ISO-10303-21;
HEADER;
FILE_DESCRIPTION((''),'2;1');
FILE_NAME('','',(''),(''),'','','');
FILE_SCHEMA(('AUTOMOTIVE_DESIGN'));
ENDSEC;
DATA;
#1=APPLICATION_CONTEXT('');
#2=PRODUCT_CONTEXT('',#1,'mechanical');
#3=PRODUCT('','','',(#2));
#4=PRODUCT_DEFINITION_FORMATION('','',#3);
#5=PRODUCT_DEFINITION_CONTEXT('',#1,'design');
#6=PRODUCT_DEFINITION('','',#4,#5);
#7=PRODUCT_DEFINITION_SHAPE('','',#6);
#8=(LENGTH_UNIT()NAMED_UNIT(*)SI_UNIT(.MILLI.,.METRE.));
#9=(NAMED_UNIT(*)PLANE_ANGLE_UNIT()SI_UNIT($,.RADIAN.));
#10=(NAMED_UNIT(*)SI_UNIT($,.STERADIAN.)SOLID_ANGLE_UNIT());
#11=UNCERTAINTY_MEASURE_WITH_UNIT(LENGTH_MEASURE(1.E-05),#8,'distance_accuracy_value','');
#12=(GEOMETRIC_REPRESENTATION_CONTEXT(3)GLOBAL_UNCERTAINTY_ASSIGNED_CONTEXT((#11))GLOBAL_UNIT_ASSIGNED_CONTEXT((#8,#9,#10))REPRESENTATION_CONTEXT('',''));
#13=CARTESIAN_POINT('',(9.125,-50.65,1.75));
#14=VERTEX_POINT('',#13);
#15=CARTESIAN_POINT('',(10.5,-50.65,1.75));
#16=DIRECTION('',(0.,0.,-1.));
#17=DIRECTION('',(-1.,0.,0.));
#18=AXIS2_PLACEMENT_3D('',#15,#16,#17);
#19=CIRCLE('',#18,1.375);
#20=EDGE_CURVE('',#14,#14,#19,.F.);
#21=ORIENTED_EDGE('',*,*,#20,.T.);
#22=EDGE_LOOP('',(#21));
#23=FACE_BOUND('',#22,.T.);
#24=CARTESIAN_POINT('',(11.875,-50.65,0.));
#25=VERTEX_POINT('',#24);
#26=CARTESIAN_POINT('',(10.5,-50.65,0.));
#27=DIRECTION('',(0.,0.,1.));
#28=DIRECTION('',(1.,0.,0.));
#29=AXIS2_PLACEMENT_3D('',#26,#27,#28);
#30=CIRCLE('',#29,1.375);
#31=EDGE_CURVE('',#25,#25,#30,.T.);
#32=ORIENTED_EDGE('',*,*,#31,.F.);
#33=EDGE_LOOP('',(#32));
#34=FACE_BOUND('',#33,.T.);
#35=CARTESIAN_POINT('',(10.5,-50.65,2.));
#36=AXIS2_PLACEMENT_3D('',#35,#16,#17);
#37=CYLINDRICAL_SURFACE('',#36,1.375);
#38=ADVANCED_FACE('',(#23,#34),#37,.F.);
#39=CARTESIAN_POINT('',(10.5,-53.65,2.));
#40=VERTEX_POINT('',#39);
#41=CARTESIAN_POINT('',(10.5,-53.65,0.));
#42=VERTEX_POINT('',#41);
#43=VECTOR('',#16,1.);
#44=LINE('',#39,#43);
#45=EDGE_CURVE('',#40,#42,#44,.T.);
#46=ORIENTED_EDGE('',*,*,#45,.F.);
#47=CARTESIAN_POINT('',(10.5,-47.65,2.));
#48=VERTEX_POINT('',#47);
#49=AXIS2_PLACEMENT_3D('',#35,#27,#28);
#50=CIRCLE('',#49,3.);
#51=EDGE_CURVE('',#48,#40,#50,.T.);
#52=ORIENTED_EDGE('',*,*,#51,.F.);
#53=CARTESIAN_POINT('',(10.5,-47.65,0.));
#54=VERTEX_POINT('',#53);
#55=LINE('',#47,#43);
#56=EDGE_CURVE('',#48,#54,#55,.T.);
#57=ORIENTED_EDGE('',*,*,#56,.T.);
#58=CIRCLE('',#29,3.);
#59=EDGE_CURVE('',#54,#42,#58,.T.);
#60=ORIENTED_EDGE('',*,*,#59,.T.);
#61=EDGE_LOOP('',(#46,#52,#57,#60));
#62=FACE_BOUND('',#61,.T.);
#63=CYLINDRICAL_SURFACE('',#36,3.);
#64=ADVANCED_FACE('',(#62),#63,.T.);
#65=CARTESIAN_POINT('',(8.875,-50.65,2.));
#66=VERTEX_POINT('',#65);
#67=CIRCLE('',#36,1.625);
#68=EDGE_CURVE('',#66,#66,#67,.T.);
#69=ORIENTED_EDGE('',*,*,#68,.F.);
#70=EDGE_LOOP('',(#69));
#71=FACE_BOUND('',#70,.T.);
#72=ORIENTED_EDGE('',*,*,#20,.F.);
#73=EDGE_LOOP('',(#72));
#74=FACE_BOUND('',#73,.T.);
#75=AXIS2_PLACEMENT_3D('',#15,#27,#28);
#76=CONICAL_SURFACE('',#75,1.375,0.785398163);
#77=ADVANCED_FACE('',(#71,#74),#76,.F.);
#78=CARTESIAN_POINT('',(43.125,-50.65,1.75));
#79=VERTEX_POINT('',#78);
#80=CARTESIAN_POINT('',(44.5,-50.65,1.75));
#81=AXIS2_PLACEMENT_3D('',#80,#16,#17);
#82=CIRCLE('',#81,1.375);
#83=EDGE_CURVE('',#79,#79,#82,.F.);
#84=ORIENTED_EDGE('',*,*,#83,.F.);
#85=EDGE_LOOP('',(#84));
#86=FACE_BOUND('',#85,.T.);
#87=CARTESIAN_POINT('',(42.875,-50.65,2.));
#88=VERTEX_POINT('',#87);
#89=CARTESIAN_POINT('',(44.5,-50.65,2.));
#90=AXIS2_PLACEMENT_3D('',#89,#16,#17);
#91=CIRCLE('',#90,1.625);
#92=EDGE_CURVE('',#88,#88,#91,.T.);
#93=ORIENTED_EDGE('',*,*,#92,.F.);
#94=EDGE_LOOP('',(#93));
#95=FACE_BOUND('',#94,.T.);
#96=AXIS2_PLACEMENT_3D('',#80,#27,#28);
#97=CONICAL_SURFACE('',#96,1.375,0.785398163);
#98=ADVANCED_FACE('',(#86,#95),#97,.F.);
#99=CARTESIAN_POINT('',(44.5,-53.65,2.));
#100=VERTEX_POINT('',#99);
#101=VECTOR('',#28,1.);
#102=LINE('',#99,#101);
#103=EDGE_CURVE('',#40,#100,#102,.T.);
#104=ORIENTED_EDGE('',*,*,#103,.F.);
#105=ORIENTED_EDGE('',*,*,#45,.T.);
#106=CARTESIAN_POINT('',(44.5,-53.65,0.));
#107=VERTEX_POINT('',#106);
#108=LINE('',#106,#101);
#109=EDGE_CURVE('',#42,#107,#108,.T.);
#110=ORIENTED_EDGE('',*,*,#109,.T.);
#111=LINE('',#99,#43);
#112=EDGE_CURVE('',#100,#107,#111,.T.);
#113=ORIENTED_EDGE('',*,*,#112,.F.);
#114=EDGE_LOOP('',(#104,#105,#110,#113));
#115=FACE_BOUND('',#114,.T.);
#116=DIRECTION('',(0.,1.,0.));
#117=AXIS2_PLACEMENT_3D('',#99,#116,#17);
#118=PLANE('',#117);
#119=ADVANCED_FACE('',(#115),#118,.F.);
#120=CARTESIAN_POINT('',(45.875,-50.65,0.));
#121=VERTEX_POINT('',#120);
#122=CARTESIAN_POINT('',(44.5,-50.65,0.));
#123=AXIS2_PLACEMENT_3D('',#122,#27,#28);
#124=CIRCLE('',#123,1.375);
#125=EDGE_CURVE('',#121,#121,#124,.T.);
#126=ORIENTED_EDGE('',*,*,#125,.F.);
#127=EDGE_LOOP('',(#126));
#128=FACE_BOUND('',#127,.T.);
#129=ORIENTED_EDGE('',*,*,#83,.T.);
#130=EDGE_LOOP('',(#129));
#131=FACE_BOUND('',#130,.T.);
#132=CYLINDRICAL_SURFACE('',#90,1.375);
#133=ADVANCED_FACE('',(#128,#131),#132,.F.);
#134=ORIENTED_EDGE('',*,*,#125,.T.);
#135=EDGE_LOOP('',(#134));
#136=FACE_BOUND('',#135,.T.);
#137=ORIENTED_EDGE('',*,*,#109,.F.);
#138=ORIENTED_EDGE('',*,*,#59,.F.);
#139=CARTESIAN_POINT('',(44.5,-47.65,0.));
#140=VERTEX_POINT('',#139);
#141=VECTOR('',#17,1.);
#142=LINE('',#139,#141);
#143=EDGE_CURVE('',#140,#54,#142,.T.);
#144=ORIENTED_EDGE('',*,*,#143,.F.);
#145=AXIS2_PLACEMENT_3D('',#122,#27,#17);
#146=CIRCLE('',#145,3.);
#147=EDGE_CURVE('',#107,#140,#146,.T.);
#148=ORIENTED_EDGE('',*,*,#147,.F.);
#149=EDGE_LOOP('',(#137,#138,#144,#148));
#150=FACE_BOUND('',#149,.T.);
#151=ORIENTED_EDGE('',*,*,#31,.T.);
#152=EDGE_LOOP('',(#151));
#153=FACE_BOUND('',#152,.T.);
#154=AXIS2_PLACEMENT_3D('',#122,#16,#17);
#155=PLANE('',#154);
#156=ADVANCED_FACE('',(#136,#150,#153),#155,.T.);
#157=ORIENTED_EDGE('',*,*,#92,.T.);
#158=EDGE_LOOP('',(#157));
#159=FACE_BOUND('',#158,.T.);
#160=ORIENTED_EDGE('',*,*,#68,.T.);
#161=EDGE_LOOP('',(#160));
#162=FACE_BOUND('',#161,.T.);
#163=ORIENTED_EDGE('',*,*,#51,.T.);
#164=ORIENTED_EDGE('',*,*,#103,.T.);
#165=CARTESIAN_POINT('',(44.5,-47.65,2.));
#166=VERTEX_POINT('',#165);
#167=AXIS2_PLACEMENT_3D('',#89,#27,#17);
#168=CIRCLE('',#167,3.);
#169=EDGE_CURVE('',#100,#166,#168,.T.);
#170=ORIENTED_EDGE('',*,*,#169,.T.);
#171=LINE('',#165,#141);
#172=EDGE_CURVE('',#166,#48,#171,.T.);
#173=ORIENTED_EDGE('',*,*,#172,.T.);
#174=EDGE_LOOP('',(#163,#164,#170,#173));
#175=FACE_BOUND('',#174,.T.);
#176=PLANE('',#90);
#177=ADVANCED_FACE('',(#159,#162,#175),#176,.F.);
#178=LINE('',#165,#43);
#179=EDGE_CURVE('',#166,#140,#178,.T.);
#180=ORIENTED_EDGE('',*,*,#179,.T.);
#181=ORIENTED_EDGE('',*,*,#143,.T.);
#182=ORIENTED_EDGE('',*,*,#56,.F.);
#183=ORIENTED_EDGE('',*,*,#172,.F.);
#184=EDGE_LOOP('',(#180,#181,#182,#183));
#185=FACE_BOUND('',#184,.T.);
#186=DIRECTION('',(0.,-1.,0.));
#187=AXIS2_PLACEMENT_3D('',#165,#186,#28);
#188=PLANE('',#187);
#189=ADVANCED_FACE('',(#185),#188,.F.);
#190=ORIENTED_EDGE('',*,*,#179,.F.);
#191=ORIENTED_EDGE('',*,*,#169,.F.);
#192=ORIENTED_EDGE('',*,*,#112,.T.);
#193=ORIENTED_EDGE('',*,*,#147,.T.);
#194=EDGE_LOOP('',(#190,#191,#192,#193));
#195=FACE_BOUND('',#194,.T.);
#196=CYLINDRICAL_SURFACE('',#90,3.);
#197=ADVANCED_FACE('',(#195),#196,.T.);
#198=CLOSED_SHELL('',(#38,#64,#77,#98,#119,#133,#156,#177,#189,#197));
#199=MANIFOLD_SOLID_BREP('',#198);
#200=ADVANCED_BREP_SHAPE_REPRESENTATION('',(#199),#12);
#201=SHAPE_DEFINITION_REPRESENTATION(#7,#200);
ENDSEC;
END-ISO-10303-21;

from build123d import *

# Parameters (mm, degrees)
SKETCH1_R           = 1.375
BOSS_EXTRUDE1_DEPTH = 2
CHAMFER1_SIZE       = 0.25


with BuildPart() as part:
    # Sketch1 → Boss-Extrude1 (new body)
    with BuildSketch(Plane.XY):
        with BuildLine():
            Line((44.5, -47.65), (10.5, -47.65))
            ThreePointArc((10.5, -47.65), (7.5, -50.65), (10.5, -53.65))
            Line((10.5, -53.65), (44.5, -53.65))
            ThreePointArc((44.5, -53.65), (47.5, -50.65), (44.5, -47.65))
        make_face()
        with Locations((10.5, -50.65)):
            Circle(SKETCH1_R, mode=Mode.SUBTRACT)
        with Locations((44.5, -50.65)):
            Circle(SKETCH1_R, mode=Mode.SUBTRACT)
    extrude(amount=BOSS_EXTRUDE1_DEPTH)

    # Chamfer1
    chamfer1_edges = [part.edges().sort_by_distance(p)[0] for p in [
        (9.125, -50.65, 2),
        (43.125, -50.65, 2),
    ]]
    chamfer(chamfer1_edges, length=CHAMFER1_SIZE)


solid = part.part
